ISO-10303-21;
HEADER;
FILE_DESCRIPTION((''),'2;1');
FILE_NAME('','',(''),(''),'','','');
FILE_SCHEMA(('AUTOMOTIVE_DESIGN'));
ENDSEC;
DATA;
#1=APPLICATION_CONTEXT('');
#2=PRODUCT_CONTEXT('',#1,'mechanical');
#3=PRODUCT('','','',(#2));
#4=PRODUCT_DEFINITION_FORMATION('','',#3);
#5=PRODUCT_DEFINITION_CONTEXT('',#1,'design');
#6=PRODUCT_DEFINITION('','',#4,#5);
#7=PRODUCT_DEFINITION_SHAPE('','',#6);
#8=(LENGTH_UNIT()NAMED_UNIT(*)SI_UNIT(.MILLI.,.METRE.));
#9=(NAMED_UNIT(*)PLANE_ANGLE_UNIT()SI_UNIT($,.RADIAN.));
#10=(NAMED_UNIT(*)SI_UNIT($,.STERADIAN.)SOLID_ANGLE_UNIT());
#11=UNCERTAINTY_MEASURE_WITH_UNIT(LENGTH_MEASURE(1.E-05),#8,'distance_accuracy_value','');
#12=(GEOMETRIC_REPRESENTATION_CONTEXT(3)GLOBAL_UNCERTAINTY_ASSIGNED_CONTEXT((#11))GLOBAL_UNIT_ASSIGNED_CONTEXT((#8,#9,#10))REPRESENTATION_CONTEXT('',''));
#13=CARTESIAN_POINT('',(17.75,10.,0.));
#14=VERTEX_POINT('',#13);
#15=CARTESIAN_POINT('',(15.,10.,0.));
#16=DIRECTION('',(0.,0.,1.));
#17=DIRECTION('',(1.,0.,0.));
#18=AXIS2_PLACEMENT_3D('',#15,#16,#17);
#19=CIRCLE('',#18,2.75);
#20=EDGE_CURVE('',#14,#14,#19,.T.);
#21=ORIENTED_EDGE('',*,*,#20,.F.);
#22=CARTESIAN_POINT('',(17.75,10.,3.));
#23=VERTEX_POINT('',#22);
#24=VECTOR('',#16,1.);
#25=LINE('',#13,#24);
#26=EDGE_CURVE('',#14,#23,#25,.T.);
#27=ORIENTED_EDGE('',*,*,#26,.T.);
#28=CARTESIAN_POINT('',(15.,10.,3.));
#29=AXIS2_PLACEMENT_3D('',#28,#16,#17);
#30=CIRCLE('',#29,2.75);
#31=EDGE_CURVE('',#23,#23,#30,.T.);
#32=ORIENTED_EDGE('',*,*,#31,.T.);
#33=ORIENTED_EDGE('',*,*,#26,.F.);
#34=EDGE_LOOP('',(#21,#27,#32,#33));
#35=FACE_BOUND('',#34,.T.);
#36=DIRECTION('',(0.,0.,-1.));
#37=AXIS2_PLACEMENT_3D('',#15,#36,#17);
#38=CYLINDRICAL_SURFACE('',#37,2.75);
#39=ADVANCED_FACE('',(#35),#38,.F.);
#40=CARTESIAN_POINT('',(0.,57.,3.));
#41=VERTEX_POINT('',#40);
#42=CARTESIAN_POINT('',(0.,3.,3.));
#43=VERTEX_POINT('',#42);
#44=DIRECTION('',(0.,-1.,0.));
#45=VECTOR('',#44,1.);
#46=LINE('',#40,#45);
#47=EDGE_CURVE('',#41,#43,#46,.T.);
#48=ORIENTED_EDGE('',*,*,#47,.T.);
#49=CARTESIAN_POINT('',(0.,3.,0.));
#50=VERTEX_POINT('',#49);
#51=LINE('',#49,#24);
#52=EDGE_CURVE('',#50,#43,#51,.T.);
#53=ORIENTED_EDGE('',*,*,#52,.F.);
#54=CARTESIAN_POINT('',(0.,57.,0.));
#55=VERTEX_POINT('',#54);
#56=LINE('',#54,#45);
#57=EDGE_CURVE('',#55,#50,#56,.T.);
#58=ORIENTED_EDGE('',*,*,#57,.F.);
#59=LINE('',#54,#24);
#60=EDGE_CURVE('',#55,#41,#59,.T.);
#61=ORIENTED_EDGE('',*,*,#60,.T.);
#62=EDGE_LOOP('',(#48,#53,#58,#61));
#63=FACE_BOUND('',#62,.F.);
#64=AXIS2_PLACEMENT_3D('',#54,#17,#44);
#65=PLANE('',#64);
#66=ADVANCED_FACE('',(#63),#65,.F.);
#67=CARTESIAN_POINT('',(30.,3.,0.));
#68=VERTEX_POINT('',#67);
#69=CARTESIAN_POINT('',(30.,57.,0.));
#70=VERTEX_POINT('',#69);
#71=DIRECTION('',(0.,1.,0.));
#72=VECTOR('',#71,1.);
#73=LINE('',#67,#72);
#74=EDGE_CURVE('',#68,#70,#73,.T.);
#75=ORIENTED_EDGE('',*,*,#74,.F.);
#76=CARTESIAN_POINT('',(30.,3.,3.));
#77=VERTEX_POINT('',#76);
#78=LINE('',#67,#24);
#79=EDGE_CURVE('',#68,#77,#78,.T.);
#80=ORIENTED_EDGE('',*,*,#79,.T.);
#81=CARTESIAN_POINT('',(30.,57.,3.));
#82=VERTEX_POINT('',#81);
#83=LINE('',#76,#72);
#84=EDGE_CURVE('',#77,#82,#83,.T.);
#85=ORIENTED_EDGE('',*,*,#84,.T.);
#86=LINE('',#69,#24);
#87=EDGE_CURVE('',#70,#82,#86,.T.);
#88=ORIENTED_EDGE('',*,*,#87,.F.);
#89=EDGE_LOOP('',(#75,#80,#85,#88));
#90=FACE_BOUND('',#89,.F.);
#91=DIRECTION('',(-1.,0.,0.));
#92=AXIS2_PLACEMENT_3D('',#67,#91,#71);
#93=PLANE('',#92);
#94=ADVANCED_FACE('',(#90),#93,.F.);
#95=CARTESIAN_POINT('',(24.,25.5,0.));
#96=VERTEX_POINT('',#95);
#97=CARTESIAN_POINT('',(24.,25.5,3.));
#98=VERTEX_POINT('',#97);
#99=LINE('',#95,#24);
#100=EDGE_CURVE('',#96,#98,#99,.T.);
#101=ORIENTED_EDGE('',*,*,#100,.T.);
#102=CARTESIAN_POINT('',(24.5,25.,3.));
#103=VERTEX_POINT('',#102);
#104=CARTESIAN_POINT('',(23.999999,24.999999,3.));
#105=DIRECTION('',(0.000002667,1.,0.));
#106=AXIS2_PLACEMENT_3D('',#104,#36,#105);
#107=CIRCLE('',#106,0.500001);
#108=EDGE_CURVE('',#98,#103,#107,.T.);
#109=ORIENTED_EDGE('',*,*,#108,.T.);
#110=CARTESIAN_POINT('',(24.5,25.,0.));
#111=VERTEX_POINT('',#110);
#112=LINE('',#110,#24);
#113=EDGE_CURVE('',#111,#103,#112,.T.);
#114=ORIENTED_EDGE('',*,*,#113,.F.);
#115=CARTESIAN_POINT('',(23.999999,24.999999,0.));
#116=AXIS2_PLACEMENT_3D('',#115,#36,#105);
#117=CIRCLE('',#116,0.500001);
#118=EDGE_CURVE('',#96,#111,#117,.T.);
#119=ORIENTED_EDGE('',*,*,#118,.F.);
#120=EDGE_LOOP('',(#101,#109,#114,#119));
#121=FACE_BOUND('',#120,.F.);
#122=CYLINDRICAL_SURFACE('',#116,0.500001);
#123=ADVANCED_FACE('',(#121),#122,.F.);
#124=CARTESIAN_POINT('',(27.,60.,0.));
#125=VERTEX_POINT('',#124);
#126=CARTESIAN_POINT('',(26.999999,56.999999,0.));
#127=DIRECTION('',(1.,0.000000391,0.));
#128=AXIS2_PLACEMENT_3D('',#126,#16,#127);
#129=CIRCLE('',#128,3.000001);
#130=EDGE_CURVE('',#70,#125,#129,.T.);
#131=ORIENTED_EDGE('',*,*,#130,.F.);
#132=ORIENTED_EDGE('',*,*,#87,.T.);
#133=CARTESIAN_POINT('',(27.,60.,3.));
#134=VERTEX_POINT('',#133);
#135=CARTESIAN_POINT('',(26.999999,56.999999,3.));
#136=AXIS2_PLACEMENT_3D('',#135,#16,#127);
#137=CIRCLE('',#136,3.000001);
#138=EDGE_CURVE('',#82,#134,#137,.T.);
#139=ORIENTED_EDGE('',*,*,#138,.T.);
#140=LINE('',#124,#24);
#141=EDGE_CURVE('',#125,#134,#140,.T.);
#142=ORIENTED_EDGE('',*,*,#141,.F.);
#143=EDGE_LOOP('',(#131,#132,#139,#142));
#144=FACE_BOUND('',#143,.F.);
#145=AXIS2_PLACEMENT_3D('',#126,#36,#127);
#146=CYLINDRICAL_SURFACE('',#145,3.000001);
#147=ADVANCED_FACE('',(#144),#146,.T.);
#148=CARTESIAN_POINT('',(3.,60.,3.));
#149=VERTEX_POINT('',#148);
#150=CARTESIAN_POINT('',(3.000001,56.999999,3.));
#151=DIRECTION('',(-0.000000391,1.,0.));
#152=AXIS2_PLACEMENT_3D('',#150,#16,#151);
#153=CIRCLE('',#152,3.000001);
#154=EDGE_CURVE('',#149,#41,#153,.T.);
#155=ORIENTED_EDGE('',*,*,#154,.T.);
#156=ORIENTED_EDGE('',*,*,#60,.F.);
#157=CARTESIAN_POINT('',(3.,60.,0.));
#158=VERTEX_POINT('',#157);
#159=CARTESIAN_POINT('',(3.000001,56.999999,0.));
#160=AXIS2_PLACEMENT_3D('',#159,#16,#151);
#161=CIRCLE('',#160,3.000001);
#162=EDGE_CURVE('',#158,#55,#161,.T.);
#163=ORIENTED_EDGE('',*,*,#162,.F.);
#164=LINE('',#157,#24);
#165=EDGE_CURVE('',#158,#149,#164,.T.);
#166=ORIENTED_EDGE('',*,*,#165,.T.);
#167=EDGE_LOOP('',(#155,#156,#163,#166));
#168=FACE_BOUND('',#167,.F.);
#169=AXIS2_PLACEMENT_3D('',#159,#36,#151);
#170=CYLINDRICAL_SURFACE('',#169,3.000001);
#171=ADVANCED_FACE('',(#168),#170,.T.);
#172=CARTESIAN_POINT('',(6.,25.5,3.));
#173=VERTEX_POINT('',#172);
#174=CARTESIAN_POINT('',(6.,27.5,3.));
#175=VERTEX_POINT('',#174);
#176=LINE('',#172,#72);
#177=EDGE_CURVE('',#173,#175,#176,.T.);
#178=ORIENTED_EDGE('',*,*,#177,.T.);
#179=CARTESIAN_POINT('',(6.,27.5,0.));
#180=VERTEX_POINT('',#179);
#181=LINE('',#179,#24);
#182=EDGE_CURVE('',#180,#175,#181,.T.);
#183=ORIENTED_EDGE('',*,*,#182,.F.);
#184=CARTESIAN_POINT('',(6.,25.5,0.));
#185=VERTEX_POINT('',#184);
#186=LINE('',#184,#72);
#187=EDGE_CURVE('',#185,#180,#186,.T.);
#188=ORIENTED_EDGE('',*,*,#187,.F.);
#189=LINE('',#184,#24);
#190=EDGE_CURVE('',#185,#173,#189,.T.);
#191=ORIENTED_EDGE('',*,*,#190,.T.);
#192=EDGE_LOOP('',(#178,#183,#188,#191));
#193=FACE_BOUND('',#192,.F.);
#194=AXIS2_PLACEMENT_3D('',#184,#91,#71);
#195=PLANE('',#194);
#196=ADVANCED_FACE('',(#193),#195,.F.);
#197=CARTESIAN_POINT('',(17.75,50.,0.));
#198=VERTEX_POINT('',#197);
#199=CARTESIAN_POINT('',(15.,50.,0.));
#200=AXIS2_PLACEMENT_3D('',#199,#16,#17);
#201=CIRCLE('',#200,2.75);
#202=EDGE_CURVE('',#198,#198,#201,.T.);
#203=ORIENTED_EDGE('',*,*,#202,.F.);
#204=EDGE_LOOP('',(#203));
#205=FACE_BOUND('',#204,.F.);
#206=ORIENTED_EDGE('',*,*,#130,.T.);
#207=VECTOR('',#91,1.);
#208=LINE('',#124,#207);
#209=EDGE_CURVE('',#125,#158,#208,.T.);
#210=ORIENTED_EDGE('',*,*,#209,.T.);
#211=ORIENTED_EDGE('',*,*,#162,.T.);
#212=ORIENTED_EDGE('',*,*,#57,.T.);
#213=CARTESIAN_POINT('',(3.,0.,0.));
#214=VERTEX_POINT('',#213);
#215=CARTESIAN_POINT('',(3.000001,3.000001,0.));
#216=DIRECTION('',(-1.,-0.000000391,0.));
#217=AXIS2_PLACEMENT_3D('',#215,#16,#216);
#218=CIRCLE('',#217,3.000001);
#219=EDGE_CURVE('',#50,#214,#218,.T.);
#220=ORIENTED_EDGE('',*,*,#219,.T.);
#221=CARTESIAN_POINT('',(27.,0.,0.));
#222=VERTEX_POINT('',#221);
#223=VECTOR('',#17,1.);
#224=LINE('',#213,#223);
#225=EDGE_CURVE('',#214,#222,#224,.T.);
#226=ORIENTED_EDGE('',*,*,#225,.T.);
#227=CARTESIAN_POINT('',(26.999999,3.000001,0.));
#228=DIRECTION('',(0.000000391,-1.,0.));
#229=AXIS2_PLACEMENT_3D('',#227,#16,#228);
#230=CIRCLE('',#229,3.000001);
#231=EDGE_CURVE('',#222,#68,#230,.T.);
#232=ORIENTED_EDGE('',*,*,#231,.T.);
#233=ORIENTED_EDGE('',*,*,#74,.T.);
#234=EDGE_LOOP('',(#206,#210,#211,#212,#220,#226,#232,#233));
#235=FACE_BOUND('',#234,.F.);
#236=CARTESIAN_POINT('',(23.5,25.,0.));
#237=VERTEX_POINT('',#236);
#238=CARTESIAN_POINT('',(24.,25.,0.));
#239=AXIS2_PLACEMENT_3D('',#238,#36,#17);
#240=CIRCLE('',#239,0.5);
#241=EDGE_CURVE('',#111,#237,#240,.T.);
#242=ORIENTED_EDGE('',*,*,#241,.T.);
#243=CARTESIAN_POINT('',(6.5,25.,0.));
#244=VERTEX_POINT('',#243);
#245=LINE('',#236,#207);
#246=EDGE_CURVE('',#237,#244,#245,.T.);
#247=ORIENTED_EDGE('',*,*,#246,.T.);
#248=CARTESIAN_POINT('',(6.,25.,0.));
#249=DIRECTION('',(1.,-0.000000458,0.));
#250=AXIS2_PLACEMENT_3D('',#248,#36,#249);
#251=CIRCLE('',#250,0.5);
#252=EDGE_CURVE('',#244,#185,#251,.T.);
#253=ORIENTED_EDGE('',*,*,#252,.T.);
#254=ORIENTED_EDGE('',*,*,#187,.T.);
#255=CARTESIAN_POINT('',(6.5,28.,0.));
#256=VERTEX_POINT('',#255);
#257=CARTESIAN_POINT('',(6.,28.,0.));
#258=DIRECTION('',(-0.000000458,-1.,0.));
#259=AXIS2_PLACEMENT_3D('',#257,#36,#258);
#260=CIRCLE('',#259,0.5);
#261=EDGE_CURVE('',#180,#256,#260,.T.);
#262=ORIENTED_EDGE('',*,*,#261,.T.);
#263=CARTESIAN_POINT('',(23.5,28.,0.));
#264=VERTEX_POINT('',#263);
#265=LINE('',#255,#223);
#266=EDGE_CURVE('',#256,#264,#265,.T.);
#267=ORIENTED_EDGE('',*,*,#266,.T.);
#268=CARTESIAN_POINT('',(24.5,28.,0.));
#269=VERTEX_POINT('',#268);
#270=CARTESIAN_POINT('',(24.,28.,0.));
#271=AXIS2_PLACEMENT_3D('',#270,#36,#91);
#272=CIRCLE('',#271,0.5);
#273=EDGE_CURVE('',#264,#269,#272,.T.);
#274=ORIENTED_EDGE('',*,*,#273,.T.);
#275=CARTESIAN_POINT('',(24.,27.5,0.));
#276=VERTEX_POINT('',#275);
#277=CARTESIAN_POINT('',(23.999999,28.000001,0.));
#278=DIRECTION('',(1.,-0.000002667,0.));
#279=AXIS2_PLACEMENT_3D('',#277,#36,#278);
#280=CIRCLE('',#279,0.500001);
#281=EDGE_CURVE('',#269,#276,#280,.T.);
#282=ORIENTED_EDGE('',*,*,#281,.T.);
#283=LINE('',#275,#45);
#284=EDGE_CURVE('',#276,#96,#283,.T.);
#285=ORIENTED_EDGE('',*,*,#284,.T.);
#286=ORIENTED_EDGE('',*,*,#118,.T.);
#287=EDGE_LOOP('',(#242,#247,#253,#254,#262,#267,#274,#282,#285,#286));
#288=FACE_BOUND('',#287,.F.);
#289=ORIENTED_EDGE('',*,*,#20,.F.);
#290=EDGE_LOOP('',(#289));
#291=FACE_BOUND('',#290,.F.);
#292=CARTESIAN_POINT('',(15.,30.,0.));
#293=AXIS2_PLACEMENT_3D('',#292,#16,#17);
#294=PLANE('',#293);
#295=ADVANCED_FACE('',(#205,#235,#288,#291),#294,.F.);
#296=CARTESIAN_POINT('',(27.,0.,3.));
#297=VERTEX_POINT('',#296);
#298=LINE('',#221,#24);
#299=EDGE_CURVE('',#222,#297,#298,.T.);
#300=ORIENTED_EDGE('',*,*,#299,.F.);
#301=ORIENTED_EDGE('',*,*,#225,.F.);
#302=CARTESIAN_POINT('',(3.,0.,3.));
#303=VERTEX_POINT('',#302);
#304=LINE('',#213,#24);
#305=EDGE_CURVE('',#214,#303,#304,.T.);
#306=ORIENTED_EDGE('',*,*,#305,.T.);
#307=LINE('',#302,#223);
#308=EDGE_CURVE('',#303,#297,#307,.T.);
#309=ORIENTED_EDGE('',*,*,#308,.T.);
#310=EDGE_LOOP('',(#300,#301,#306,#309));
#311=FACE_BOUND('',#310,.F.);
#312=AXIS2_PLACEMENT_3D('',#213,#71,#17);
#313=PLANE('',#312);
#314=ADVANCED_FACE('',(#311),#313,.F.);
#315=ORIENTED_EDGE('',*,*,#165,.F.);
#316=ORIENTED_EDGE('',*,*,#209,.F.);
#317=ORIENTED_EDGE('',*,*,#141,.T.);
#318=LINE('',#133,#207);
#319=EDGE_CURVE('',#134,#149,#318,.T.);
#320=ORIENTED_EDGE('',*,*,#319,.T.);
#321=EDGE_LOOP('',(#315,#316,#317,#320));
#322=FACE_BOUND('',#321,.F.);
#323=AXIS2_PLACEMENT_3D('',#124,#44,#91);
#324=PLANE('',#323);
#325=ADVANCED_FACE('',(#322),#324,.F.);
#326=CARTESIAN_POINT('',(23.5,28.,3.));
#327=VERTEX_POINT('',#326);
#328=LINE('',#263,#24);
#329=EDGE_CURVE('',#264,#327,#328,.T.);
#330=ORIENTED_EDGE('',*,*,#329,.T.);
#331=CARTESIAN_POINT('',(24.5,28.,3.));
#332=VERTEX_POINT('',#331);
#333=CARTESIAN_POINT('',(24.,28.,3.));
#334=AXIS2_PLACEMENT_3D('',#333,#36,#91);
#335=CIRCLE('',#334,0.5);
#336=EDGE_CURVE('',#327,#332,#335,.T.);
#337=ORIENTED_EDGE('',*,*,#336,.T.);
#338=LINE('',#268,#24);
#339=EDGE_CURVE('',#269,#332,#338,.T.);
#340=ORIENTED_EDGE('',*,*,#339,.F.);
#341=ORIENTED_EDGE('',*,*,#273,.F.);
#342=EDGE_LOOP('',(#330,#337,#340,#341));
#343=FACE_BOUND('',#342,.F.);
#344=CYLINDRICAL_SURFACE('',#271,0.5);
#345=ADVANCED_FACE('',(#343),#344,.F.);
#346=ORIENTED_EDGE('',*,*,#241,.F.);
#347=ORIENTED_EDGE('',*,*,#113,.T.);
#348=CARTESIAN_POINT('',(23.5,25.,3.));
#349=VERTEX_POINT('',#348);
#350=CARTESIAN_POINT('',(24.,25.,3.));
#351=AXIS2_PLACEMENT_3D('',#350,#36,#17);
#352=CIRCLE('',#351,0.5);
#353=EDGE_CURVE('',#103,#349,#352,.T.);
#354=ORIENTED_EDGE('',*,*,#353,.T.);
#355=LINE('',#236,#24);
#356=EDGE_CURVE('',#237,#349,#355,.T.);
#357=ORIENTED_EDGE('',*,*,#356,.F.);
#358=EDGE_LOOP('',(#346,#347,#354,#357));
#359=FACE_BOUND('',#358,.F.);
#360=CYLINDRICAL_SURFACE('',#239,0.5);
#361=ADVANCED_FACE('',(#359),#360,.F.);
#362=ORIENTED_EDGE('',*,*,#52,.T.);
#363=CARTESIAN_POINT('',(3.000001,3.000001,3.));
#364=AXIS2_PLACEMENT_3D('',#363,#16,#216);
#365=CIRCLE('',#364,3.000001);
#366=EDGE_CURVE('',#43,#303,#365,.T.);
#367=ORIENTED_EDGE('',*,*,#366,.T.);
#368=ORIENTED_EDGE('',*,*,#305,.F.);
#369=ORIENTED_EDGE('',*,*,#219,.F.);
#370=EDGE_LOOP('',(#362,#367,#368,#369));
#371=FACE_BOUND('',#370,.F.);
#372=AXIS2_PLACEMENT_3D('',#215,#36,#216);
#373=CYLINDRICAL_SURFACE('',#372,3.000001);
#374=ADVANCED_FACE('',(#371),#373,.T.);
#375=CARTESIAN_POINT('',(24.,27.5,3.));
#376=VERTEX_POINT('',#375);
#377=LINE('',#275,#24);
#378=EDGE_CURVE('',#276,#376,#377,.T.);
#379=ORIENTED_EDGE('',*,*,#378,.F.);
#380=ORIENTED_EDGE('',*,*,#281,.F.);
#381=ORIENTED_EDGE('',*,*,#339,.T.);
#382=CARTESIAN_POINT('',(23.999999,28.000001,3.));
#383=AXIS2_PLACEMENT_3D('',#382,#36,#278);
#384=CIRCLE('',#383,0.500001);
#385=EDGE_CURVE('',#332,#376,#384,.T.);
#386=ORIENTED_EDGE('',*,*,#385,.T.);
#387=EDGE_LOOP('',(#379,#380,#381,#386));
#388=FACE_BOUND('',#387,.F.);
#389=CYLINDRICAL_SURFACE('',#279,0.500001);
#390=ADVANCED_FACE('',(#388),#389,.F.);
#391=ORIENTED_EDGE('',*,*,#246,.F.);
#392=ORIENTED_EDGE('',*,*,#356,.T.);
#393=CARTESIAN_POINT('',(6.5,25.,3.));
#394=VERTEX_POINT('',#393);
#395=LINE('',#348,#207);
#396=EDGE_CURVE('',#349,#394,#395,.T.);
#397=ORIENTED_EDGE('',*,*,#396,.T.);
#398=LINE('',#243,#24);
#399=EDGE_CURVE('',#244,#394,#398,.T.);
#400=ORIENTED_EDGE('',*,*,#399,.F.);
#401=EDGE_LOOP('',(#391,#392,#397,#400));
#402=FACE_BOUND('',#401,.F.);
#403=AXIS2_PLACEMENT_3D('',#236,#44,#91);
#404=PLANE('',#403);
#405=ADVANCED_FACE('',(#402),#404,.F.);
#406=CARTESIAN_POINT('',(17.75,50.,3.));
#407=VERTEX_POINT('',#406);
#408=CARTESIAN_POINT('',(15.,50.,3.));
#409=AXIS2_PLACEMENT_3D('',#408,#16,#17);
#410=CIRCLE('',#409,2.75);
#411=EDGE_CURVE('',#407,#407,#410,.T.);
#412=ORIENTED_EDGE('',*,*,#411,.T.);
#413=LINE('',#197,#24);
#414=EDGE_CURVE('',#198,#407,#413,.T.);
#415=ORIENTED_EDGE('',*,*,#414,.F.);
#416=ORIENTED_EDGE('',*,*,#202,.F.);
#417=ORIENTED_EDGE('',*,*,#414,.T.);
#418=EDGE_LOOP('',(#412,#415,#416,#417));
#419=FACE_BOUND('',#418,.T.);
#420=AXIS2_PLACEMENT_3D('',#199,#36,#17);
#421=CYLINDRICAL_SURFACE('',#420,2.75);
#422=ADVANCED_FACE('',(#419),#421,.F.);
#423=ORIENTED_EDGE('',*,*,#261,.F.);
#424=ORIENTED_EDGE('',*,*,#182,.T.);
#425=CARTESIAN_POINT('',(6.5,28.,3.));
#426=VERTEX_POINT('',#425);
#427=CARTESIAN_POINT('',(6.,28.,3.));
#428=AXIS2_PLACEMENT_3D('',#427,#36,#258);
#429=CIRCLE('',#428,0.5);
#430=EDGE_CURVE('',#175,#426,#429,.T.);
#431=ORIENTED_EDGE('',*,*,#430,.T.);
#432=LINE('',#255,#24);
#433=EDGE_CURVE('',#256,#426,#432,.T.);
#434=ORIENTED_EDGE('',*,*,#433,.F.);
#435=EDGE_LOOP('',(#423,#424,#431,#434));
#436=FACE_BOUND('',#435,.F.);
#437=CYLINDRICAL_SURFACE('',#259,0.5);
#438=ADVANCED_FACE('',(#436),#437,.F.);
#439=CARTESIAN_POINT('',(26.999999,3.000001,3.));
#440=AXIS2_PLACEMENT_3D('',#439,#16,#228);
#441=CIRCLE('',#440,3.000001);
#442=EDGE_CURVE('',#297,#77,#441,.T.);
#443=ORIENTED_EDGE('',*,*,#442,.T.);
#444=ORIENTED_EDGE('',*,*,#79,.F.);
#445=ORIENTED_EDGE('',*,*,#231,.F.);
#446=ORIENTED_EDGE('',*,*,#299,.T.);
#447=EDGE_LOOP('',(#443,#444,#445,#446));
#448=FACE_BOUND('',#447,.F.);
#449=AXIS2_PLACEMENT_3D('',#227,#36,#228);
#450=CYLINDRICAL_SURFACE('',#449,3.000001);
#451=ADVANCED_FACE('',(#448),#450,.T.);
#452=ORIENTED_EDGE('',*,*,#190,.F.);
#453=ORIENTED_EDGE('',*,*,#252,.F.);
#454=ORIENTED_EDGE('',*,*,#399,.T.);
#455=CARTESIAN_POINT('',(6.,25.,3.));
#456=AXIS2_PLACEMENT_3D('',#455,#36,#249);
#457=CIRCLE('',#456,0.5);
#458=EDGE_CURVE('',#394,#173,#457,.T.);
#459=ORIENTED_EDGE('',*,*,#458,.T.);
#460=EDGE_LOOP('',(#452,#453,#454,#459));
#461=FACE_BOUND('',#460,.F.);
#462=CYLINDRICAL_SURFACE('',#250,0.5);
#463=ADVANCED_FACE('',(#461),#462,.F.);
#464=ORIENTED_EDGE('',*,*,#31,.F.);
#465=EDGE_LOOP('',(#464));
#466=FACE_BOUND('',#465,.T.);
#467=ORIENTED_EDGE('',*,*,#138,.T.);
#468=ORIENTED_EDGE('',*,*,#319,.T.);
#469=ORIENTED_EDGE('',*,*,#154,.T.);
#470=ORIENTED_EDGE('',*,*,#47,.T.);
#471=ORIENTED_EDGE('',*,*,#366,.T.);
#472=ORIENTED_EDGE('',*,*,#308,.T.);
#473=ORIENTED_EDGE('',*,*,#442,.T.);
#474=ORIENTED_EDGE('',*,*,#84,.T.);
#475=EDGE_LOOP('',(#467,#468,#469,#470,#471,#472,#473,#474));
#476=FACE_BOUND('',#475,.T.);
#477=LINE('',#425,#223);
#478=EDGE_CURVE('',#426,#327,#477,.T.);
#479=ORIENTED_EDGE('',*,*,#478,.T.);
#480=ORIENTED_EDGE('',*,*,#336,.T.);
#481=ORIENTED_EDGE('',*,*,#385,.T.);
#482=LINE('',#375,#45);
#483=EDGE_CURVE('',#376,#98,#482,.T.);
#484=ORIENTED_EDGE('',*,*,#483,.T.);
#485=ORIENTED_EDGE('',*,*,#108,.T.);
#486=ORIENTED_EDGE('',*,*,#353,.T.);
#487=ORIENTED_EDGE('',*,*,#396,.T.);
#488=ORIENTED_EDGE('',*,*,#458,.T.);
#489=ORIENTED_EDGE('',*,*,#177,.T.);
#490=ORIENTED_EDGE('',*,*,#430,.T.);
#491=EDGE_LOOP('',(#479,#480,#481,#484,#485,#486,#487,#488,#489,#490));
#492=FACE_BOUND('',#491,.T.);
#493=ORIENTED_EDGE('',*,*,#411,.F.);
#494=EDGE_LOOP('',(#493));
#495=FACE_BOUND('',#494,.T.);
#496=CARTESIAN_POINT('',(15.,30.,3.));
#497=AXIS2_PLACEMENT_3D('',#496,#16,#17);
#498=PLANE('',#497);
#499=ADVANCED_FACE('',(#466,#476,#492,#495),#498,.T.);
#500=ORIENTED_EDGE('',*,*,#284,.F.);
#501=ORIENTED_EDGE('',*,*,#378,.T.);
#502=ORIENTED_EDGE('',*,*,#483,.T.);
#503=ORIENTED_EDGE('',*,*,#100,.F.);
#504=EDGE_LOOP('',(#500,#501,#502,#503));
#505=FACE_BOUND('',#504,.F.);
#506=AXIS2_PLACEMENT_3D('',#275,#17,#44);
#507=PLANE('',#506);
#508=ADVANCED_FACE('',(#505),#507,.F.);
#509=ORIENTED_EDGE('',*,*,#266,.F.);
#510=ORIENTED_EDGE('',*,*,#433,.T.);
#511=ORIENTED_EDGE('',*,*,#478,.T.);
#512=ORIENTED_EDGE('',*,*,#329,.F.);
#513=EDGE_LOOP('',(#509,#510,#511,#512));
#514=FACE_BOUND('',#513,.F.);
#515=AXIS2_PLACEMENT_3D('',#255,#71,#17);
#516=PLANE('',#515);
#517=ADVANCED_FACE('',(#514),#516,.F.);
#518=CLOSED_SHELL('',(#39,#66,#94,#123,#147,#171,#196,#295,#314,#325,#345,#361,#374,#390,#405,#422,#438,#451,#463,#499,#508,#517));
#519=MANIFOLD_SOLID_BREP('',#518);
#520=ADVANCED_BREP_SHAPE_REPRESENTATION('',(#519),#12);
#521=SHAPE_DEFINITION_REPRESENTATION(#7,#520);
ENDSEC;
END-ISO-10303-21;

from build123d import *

# Parameters (mm, degrees)
F0_R     = 2.75
F1_DEPTH = 3


with BuildPart() as f1:
    # F0 (on Top) → F1 (new body)
    with BuildSketch(Plane.XY):
        with BuildLine():
            ThreePointArc((0, 3), (0.87868, 0.87868), (3, 0))
            Line((3, 0), (27, 0))
            ThreePointArc((27, 0), (29.12132, 0.87868), (30, 3))
            Line((30, 3), (30, 57))
            ThreePointArc((30, 57), (29.12132, 59.12132), (27, 60))
            Line((27, 60), (3, 60))
            ThreePointArc((3, 60), (0.87868, 59.12132), (0, 57))
            Line((0, 57), (0, 3))
        make_face()
        with Locations((15, 10)):
            Circle(F0_R, mode=Mode.SUBTRACT)
        with BuildLine():
            ThreePointArc((6, 27.5), (5.646447, 28.353553), (6.5, 28))
            Line((6.5, 28), (23.5, 28))
            ThreePointArc((23.5, 28), (24, 28.5), (24.5, 28))
            ThreePointArc((24.5, 28), (24.353553, 27.646447), (24, 27.5))
            Line((24, 27.5), (24, 25.5))
            ThreePointArc((24, 25.5), (24.353553, 25.353553), (24.5, 25))
            ThreePointArc((24.5, 25), (24, 24.5), (23.5, 25))
            Line((23.5, 25), (6.5, 25))
            ThreePointArc((6.5, 25), (5.646447, 24.646447), (6, 25.5))
            Line((6, 25.5), (6, 27.5))
        make_face(mode=Mode.SUBTRACT)
        with Locations((15, 50)):
            Circle(F0_R, mode=Mode.SUBTRACT)
    extrude(amount=F1_DEPTH)


solid = f1.part
